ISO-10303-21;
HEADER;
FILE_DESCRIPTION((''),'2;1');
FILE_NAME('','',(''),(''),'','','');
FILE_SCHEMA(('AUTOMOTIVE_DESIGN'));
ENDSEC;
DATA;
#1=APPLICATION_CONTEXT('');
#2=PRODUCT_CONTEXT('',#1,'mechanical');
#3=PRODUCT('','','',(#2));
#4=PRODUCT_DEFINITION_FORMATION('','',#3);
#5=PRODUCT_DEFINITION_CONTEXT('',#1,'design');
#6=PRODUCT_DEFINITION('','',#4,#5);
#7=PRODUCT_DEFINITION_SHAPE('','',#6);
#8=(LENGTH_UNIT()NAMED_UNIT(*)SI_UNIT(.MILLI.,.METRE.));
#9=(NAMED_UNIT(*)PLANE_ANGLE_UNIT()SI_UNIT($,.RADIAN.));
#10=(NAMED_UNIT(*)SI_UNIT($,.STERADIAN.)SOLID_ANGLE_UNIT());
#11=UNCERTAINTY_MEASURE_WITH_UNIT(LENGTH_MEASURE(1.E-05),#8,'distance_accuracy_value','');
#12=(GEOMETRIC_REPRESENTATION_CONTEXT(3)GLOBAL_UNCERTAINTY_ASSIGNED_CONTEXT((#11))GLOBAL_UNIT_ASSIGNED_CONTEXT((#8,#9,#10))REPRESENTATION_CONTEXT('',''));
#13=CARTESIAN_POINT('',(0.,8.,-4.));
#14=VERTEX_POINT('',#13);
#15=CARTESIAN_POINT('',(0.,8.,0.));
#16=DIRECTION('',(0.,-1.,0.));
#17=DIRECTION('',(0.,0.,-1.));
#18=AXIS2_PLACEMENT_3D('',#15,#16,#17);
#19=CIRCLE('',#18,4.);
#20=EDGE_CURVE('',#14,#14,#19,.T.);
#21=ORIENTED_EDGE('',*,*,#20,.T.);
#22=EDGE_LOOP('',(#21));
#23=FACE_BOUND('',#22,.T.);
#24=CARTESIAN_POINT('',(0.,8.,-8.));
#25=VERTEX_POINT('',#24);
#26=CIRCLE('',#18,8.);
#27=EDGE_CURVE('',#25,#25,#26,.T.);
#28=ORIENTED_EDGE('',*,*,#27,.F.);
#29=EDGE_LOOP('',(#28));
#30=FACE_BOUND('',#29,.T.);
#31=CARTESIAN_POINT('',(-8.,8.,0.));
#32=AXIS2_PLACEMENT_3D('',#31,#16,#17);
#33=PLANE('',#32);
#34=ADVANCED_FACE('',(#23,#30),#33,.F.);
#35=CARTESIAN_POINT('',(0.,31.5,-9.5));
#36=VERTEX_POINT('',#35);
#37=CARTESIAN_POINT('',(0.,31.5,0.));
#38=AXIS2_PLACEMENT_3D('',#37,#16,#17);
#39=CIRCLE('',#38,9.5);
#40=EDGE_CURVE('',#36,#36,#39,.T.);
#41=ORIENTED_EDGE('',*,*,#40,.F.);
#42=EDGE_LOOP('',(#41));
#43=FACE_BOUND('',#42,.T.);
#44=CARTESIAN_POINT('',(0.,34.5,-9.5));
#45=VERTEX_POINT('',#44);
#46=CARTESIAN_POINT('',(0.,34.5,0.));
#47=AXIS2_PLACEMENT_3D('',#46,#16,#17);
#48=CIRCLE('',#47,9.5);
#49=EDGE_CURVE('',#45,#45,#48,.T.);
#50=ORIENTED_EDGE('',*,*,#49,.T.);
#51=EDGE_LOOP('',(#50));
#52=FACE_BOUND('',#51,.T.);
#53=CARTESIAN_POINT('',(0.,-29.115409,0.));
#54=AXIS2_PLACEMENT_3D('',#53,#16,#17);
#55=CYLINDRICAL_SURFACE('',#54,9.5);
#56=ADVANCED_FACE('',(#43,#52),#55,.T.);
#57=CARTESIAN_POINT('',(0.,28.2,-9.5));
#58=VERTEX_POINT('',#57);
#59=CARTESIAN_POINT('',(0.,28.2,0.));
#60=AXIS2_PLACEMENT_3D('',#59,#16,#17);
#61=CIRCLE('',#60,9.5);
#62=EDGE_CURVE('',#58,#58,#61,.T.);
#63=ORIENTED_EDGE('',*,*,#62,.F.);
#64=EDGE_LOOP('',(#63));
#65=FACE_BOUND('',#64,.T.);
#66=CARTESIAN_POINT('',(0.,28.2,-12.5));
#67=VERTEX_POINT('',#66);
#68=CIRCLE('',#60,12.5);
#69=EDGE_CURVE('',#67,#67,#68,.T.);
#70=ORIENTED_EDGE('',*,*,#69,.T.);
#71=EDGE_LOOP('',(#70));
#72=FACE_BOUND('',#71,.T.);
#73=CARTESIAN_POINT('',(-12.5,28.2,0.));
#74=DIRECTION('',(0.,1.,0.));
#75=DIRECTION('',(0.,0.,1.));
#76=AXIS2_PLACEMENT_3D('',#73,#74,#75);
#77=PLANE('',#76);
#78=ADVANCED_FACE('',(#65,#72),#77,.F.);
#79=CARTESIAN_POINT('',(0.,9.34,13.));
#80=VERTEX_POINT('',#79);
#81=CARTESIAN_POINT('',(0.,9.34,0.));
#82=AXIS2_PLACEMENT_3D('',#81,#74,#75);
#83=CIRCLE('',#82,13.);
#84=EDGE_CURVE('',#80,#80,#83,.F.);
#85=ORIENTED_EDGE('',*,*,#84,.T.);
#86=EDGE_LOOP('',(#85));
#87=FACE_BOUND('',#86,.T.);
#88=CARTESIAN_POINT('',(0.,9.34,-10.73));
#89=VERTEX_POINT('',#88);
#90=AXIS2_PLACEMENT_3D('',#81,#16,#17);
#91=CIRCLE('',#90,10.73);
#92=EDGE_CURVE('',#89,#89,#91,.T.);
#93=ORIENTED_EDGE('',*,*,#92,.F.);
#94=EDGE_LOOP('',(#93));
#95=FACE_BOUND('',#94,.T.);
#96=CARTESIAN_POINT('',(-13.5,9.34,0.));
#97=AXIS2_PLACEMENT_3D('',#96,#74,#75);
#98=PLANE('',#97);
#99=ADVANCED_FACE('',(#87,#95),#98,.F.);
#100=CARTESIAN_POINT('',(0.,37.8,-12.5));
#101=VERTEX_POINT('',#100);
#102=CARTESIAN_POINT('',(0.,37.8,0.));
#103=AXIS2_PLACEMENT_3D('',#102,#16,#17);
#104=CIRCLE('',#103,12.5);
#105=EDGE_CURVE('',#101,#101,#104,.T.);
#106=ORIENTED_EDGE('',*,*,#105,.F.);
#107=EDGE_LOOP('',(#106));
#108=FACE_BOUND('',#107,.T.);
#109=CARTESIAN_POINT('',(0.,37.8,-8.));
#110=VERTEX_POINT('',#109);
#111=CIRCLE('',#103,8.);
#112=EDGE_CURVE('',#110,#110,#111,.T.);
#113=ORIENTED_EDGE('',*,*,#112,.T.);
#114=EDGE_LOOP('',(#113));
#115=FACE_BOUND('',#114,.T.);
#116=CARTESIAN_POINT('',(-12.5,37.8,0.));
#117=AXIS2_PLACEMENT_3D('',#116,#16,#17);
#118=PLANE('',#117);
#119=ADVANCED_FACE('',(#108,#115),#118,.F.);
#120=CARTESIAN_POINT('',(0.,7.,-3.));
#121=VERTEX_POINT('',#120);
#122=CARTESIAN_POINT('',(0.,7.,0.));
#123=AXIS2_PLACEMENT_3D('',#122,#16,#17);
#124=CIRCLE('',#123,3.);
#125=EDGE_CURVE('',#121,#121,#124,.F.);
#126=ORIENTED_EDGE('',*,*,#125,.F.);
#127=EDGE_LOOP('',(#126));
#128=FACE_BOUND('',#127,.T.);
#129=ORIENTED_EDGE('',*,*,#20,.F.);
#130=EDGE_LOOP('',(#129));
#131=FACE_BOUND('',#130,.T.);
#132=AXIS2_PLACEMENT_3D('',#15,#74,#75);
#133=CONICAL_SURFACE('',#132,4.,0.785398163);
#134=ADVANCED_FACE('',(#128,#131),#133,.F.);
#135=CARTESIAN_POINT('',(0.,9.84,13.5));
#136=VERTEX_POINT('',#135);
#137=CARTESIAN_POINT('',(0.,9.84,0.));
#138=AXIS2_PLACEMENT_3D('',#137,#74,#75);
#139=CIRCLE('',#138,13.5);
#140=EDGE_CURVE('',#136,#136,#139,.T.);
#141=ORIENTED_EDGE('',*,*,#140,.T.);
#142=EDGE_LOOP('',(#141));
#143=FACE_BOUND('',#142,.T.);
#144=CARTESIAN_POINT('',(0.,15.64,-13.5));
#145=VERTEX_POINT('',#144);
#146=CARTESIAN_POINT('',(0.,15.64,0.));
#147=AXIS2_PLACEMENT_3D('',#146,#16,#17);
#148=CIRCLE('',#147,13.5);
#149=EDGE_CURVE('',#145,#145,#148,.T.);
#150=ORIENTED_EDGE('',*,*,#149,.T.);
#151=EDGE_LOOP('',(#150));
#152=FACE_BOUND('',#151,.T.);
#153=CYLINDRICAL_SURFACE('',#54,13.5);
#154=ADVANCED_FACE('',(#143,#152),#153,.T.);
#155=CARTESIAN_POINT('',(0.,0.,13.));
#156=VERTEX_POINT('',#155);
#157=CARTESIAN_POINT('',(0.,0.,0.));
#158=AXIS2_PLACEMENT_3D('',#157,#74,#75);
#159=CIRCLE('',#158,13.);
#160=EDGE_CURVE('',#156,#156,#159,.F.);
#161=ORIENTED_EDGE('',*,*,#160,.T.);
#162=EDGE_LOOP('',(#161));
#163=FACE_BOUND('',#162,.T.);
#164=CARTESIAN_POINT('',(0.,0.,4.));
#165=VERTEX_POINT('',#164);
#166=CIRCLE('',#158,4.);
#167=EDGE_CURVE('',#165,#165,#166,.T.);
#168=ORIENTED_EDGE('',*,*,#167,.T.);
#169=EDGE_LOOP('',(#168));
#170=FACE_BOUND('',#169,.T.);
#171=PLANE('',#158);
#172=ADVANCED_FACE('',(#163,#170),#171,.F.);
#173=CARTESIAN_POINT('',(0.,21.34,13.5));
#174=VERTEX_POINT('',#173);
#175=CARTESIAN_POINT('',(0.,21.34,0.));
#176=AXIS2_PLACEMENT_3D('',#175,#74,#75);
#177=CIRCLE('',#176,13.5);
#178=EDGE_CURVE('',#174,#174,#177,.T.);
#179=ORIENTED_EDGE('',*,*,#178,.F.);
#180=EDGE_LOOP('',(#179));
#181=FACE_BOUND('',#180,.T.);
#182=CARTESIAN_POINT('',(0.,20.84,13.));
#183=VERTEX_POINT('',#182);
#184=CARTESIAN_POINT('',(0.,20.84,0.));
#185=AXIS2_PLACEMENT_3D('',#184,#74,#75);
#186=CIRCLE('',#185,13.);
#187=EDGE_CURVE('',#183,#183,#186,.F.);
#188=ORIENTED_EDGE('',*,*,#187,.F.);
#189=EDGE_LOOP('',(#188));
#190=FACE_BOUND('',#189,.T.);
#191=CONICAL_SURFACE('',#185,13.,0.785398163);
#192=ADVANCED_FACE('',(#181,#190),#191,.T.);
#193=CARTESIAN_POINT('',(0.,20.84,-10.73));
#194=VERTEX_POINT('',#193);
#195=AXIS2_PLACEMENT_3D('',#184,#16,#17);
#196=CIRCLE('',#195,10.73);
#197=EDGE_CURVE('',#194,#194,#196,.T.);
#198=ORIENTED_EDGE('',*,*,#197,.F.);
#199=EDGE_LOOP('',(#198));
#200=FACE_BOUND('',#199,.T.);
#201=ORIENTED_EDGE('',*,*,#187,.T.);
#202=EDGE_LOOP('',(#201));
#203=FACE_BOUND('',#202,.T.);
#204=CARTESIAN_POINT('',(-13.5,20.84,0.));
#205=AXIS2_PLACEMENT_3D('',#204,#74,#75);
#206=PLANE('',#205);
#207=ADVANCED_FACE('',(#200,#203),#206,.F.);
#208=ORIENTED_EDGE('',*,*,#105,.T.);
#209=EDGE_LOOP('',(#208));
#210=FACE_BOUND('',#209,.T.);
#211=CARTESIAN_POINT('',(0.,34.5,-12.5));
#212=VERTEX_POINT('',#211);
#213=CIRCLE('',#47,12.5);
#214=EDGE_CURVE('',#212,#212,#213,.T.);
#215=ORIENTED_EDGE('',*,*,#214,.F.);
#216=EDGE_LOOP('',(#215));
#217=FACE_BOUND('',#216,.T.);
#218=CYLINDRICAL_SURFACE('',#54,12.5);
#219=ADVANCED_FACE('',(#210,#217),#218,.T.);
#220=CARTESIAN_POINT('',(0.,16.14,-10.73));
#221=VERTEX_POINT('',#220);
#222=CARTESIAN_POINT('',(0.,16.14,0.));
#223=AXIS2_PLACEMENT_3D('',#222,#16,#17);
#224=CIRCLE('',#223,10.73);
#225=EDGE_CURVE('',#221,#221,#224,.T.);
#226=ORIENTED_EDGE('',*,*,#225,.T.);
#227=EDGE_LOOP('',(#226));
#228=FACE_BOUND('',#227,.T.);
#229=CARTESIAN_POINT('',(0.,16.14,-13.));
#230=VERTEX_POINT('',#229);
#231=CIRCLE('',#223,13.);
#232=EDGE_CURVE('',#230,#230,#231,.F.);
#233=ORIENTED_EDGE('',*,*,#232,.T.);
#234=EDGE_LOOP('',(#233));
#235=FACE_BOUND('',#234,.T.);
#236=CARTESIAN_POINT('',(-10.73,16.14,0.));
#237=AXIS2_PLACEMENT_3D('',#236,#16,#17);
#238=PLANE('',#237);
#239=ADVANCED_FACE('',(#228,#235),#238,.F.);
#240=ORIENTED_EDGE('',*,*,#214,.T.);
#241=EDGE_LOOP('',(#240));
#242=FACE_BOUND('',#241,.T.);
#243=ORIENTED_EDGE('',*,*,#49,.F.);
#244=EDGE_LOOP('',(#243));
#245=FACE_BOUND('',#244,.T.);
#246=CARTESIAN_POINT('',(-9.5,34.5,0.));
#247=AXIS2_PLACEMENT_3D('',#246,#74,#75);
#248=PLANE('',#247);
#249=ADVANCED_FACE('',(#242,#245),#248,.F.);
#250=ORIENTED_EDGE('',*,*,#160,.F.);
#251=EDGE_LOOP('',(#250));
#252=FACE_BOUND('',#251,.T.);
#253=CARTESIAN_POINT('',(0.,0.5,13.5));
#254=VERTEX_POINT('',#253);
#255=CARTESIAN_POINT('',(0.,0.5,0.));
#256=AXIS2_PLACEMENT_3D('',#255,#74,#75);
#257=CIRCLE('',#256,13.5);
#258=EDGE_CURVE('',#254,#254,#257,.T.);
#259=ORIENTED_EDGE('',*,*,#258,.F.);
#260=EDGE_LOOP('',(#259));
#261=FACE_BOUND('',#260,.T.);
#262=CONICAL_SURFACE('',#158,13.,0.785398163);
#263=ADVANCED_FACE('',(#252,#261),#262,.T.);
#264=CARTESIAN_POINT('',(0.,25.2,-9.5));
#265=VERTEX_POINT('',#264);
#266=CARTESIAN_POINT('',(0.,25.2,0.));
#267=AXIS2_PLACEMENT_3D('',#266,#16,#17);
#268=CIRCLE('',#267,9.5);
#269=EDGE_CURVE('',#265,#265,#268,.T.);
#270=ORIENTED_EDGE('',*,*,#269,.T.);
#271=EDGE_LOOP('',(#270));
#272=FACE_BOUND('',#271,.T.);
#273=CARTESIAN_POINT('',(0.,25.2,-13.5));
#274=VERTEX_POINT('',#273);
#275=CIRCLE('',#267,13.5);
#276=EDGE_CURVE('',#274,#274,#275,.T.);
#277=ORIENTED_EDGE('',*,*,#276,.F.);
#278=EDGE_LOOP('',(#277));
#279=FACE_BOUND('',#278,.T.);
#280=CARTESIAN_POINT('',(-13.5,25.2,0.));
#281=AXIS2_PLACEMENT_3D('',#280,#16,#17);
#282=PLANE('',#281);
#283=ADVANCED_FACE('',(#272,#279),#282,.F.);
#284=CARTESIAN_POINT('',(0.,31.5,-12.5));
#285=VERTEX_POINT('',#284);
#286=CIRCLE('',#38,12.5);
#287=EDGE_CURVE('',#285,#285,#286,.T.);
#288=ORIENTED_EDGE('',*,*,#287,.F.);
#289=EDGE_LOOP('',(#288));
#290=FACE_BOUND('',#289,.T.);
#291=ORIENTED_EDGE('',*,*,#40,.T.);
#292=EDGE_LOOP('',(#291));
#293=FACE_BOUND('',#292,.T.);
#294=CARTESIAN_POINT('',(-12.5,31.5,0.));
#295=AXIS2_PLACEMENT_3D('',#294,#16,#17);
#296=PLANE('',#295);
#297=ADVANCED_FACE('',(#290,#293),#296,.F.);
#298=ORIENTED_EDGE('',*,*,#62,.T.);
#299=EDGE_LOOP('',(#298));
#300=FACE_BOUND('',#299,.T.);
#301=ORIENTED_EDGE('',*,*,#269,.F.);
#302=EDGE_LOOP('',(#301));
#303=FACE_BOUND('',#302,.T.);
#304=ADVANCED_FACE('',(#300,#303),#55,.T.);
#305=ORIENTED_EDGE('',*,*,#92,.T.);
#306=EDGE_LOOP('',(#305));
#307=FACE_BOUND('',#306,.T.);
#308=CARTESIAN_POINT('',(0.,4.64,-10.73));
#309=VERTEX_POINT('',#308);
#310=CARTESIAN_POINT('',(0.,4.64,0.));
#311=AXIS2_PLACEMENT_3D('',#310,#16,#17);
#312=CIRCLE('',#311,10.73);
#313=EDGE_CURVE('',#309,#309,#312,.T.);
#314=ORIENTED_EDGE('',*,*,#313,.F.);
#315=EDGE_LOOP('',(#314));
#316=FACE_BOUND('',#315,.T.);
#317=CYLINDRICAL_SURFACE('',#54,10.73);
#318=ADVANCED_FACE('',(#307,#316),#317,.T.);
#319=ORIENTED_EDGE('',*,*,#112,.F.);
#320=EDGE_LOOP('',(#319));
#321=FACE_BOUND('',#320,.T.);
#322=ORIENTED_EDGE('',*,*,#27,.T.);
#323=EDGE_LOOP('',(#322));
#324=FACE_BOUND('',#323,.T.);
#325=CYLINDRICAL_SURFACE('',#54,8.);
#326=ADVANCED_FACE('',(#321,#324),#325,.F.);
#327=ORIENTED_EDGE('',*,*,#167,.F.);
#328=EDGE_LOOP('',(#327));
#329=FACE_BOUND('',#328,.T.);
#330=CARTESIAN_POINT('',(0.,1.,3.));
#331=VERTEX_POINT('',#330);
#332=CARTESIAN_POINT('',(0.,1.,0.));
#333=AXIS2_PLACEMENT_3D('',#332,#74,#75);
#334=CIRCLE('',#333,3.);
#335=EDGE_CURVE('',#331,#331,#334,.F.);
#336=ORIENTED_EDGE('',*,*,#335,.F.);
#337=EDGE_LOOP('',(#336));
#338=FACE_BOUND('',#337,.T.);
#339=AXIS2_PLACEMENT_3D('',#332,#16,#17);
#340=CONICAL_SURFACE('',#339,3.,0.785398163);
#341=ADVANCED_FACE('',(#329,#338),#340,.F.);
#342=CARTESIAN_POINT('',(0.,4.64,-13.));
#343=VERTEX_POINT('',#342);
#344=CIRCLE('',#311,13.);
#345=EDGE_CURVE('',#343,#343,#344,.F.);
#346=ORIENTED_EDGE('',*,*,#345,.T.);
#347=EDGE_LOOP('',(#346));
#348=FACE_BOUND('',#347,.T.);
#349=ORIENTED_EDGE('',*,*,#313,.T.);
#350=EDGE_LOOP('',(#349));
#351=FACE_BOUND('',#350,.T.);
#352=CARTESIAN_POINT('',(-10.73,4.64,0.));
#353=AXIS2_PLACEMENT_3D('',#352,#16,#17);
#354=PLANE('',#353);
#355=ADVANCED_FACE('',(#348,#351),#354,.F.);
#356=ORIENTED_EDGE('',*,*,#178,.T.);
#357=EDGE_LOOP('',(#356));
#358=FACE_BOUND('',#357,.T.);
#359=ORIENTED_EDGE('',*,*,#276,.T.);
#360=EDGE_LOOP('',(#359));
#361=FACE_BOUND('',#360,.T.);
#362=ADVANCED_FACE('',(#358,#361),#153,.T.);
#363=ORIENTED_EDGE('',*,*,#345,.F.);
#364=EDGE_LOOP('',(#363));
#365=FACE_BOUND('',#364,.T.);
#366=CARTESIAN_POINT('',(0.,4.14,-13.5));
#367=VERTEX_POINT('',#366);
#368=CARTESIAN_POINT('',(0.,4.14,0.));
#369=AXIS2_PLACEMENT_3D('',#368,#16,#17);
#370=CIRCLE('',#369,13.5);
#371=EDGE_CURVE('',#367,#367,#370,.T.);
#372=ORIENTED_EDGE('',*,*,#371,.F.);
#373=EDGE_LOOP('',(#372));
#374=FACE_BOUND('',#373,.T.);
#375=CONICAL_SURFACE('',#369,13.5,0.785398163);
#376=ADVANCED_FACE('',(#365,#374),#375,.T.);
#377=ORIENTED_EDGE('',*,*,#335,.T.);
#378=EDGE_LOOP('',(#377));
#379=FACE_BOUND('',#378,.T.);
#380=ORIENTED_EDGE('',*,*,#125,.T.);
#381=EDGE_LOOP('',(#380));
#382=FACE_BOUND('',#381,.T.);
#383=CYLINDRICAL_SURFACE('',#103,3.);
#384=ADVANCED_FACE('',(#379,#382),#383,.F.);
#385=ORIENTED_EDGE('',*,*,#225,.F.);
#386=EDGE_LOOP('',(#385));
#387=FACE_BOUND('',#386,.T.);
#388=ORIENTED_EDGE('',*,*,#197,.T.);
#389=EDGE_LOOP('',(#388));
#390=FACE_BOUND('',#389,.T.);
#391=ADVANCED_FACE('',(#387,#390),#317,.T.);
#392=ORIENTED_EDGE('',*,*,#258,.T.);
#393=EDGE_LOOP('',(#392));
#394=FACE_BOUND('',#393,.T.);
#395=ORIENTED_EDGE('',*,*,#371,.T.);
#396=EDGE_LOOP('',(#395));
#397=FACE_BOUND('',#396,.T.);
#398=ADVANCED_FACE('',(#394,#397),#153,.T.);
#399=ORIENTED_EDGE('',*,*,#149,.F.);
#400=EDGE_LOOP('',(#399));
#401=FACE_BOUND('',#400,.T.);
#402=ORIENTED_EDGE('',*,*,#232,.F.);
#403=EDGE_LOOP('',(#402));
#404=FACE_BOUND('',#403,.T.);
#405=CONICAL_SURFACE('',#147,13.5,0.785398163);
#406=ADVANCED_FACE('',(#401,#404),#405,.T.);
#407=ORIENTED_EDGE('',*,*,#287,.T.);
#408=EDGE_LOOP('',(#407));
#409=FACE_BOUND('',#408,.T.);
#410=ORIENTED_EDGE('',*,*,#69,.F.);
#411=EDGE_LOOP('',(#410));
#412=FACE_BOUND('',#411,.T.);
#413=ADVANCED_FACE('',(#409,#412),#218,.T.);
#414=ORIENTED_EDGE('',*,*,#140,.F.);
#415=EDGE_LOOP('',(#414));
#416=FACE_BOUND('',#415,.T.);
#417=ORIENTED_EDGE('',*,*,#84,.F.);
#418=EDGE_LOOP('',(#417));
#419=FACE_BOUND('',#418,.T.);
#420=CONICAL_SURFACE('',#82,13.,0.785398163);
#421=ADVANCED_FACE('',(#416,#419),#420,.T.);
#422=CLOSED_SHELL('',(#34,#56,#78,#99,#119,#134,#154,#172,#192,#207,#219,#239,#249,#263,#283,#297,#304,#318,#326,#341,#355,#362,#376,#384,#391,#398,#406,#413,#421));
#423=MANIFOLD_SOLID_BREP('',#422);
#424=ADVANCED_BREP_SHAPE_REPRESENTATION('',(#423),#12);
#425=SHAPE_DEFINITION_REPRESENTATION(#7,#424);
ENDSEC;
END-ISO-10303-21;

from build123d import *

# Parameters (mm, degrees)
ESQUISSE4_R             = 3
ENL_V_MAT_EXTRU_3_DEPTH = 43.347845282
CHANFREIN4_SIZE         = 1
CHANFREIN3_SIZE         = 0.5


with BuildPart() as part:
    # Esquisse1 → Révolution1 (revolve)
    with BuildSketch(Plane.XY, mode=Mode.PRIVATE) as r_volution1_sk:
        Polygon((0, 0), (-13.5, 0), (-13.5, 4.64), (-10.73, 4.64), (-10.73, 9.34), (-13.5, 9.34), (-13.5, 16.14), (-10.73, 16.14), (-10.73, 20.84), (-13.5, 20.84), (-13.5, 25.2), (-12.5, 25.2), (-9.5, 25.2), (-9.5, 28.2), (-12.5, 28.2), (-12.5, 31.5), (-9.5, 31.5), (-9.5, 34.5), (-12.5, 34.5), (-12.5, 37.8), (-8, 37.8), (-8, 20.84), (-8, 8), (0, 8), align=None)
    revolve(r_volution1_sk.sketch.rotate(Axis((0, -29.115408637, 0), (0, 1, 0)), 270), axis=Axis((0, -29.115408637, 0), (0, 1, 0)))

    # Esquisse4 → Enlèv. mat.-Extru.3 (cut, through all)
    with BuildSketch(Plane.XZ):
        with Locations(Location((0, 0, 0), (0, 0, 270))):
            Circle(ESQUISSE4_R)
    extrude(amount=-ENL_V_MAT_EXTRU_3_DEPTH, mode=Mode.SUBTRACT)

    # Chanfrein4
    chanfrein4_edges = [part.edges().sort_by_distance(p)[0] for p in [
        (0, 8, 3),
        (0, 0, 3),
    ]]
    chamfer(chanfrein4_edges, length=CHANFREIN4_SIZE)

    # Chanfrein3
    chanfrein3_edges = [part.edges().sort_by_distance(p)[0] for p in [
        (0, 0, 13.5),
        (0, 4.64, 13.5),
        (0, 9.34, 13.5),
        (0, 16.14, 13.5),
        (0, 20.84, 13.5),
    ]]
    chamfer(chanfrein3_edges, length=CHANFREIN3_SIZE)


solid = part.part
